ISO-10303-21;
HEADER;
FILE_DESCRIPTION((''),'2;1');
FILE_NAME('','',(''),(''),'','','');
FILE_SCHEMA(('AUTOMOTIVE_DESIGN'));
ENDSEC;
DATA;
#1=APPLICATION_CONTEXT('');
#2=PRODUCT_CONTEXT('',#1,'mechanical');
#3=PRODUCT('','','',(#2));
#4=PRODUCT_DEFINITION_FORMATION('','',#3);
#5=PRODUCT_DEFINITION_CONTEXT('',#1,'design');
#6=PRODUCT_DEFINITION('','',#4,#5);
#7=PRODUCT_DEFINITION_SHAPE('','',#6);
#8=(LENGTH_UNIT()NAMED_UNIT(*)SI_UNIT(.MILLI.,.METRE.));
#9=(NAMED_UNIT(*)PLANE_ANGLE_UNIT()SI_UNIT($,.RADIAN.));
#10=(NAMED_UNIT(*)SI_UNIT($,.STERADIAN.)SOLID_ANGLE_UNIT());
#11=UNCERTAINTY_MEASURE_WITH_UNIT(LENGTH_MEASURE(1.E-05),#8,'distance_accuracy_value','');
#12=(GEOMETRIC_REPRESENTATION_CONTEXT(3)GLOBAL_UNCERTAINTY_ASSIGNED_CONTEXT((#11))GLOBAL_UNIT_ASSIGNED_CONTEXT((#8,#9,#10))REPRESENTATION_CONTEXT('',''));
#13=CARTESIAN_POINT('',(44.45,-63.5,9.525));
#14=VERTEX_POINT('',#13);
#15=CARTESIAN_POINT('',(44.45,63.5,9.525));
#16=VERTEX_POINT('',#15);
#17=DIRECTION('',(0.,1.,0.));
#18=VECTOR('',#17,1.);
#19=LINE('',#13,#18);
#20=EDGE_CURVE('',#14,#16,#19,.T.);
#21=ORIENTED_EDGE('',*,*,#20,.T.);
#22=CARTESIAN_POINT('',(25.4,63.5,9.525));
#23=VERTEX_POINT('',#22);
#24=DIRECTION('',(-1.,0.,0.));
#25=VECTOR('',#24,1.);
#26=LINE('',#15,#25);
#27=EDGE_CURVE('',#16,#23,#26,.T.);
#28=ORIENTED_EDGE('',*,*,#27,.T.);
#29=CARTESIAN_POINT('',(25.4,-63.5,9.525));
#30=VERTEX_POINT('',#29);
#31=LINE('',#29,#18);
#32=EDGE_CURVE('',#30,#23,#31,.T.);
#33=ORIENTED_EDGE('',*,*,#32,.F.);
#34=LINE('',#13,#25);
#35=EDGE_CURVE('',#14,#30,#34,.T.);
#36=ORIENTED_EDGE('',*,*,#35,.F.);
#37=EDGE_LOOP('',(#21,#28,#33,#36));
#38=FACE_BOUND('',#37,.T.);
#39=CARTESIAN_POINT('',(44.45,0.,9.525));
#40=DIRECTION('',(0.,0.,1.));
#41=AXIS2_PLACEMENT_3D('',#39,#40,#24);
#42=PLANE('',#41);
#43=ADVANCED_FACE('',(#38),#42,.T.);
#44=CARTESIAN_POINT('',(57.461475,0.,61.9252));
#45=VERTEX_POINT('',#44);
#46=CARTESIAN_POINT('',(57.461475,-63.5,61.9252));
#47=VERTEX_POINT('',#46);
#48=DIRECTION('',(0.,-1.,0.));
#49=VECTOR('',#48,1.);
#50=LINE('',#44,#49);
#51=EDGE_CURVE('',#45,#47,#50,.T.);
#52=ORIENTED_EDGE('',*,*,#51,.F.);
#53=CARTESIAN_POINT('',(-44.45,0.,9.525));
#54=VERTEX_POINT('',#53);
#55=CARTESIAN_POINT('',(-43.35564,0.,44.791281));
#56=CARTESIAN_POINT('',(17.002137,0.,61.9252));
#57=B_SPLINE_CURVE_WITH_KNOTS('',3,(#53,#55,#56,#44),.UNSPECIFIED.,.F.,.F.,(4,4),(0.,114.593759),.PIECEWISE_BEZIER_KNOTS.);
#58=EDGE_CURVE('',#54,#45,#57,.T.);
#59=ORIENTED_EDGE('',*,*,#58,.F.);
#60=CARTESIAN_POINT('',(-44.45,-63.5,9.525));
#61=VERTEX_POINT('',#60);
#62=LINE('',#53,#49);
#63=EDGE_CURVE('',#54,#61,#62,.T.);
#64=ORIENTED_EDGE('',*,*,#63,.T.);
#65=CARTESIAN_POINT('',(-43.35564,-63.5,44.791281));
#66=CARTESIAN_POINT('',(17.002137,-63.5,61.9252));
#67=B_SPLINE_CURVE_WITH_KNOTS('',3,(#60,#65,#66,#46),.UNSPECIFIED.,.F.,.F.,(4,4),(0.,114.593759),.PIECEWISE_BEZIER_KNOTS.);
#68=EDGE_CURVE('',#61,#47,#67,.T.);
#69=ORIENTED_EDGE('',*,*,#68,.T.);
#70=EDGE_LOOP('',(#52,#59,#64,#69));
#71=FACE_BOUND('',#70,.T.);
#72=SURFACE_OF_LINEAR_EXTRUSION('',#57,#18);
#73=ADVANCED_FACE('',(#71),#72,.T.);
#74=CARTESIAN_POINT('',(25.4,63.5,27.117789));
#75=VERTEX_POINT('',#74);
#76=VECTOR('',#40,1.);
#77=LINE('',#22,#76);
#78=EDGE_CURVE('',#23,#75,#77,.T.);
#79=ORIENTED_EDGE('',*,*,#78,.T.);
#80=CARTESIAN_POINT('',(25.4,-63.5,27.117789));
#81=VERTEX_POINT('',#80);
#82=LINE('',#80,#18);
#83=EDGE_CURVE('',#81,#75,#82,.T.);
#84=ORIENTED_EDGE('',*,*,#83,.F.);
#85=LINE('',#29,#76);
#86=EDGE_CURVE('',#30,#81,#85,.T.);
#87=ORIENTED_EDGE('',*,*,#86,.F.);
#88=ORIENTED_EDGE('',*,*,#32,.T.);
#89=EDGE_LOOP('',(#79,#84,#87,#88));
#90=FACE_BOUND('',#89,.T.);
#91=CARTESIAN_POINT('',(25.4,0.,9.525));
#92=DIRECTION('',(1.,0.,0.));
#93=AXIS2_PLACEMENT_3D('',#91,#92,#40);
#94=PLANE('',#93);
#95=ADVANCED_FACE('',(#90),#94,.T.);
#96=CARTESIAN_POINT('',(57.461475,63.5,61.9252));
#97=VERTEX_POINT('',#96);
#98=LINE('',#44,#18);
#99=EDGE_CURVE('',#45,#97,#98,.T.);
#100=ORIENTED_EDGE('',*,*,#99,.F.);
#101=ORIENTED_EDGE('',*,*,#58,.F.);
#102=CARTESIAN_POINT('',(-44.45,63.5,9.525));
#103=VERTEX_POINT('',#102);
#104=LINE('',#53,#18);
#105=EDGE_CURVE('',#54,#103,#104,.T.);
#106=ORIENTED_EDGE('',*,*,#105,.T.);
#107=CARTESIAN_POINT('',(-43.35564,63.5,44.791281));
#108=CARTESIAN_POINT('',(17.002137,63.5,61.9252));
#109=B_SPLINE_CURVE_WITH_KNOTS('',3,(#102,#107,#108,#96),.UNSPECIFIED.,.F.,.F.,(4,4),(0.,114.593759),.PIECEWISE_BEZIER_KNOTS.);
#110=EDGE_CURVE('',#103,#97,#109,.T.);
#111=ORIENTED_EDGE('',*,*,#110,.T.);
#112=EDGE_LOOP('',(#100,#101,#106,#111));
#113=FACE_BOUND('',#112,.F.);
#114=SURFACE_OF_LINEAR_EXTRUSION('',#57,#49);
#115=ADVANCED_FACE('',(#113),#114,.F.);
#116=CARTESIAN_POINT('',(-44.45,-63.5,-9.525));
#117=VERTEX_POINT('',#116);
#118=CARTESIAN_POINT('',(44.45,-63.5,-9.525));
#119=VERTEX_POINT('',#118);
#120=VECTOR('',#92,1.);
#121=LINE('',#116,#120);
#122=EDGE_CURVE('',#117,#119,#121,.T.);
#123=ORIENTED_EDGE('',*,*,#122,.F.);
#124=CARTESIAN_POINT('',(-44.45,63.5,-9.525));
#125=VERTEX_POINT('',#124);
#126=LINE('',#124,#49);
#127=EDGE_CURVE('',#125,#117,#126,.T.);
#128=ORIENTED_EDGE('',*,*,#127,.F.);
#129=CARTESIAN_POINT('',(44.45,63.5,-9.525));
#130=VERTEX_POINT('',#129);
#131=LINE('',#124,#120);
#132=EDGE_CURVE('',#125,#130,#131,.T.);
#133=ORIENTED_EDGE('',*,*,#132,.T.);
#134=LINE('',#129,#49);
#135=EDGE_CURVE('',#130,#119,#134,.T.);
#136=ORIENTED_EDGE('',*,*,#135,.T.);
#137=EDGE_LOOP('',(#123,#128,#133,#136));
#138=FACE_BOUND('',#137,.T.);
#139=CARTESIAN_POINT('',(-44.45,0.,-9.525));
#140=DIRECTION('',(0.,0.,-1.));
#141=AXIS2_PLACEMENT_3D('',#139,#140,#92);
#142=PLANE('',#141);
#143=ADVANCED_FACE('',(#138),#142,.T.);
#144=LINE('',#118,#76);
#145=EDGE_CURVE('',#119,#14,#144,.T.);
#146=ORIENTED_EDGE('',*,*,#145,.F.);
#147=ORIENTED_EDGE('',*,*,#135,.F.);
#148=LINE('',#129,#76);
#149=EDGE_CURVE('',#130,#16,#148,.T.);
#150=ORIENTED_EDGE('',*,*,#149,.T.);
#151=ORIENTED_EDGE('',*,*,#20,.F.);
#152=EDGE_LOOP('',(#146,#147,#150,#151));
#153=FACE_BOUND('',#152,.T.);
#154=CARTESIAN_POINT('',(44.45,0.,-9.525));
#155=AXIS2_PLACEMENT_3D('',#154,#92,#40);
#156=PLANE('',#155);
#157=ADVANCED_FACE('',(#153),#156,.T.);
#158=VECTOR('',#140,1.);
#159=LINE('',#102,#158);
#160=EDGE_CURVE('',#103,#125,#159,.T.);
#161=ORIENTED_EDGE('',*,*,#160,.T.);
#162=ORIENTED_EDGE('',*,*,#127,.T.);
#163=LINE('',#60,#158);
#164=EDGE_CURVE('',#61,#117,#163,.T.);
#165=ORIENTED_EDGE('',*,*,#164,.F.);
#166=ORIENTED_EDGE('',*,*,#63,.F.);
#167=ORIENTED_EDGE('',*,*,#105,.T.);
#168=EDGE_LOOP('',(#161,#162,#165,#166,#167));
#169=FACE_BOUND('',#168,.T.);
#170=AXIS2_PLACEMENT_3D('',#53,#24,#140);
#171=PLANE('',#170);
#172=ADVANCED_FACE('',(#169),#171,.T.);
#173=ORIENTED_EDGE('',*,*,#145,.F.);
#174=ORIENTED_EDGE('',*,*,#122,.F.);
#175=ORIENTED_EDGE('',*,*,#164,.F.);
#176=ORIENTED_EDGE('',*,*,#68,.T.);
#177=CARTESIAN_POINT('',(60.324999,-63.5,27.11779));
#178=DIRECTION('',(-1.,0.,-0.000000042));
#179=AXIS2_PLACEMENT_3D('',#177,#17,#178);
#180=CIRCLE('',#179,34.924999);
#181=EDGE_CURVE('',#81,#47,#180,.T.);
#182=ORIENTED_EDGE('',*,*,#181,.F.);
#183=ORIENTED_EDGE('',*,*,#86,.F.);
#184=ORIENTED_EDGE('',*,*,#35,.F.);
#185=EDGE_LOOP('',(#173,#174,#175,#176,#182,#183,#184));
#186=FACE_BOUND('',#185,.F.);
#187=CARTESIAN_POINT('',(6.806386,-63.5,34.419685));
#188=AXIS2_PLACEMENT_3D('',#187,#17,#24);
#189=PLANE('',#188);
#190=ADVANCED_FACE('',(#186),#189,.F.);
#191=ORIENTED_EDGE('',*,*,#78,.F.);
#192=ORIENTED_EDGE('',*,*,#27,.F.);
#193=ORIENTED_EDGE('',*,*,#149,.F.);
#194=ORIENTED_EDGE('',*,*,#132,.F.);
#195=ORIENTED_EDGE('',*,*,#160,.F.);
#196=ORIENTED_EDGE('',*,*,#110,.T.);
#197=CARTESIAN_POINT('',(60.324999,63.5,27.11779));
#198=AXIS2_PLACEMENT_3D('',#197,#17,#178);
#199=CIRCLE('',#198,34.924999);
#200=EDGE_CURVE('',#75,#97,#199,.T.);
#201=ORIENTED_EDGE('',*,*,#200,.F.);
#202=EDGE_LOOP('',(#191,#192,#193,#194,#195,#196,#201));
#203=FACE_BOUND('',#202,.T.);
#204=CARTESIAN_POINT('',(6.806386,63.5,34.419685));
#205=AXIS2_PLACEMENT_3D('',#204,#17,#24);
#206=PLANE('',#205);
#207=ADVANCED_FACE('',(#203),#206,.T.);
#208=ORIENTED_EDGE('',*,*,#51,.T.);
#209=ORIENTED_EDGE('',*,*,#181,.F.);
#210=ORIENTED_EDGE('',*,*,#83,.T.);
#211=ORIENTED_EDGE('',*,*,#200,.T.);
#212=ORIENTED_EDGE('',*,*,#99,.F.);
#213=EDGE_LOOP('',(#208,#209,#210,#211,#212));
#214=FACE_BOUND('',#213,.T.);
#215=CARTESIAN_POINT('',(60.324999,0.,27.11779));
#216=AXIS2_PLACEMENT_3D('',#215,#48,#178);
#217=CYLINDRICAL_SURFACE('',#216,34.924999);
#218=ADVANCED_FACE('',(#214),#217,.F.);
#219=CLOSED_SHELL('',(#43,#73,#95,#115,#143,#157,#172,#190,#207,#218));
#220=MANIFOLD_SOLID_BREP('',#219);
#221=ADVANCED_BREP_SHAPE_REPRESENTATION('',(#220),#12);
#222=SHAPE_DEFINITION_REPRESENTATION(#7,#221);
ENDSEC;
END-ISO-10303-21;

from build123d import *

# Parameters (mm, degrees)
F1_DEPTH = 63.5


with BuildPart() as f1:
    # F0 (on Front) → F1 (new body, symmetric)
    with BuildSketch(Plane.XZ):
        with BuildLine():
            add(Edge.make_bspline(
                [(-44.45, 9.525), (-43.35564, 44.791281), (17.002137, 61.9252), (57.461475, 61.9252)],
                knots=[0, 0, 0, 0, 114.593759, 114.593759, 114.593759, 114.593759], degree=3))
            Line((-44.45, 9.525), (25.4, 9.525))
            Line((25.4, 9.525), (25.4, 27.117789))
            ThreePointArc((25.4, 27.117789), (34.636829, 50.779436), (57.461475, 61.9252))
        make_face()
        Polygon((-44.45, -9.525), (44.45, -9.525), (44.45, 9.525), (25.4, 9.525), (-44.45, 9.525), align=None)
    extrude(amount=F1_DEPTH, both=True)


solid = f1.part
